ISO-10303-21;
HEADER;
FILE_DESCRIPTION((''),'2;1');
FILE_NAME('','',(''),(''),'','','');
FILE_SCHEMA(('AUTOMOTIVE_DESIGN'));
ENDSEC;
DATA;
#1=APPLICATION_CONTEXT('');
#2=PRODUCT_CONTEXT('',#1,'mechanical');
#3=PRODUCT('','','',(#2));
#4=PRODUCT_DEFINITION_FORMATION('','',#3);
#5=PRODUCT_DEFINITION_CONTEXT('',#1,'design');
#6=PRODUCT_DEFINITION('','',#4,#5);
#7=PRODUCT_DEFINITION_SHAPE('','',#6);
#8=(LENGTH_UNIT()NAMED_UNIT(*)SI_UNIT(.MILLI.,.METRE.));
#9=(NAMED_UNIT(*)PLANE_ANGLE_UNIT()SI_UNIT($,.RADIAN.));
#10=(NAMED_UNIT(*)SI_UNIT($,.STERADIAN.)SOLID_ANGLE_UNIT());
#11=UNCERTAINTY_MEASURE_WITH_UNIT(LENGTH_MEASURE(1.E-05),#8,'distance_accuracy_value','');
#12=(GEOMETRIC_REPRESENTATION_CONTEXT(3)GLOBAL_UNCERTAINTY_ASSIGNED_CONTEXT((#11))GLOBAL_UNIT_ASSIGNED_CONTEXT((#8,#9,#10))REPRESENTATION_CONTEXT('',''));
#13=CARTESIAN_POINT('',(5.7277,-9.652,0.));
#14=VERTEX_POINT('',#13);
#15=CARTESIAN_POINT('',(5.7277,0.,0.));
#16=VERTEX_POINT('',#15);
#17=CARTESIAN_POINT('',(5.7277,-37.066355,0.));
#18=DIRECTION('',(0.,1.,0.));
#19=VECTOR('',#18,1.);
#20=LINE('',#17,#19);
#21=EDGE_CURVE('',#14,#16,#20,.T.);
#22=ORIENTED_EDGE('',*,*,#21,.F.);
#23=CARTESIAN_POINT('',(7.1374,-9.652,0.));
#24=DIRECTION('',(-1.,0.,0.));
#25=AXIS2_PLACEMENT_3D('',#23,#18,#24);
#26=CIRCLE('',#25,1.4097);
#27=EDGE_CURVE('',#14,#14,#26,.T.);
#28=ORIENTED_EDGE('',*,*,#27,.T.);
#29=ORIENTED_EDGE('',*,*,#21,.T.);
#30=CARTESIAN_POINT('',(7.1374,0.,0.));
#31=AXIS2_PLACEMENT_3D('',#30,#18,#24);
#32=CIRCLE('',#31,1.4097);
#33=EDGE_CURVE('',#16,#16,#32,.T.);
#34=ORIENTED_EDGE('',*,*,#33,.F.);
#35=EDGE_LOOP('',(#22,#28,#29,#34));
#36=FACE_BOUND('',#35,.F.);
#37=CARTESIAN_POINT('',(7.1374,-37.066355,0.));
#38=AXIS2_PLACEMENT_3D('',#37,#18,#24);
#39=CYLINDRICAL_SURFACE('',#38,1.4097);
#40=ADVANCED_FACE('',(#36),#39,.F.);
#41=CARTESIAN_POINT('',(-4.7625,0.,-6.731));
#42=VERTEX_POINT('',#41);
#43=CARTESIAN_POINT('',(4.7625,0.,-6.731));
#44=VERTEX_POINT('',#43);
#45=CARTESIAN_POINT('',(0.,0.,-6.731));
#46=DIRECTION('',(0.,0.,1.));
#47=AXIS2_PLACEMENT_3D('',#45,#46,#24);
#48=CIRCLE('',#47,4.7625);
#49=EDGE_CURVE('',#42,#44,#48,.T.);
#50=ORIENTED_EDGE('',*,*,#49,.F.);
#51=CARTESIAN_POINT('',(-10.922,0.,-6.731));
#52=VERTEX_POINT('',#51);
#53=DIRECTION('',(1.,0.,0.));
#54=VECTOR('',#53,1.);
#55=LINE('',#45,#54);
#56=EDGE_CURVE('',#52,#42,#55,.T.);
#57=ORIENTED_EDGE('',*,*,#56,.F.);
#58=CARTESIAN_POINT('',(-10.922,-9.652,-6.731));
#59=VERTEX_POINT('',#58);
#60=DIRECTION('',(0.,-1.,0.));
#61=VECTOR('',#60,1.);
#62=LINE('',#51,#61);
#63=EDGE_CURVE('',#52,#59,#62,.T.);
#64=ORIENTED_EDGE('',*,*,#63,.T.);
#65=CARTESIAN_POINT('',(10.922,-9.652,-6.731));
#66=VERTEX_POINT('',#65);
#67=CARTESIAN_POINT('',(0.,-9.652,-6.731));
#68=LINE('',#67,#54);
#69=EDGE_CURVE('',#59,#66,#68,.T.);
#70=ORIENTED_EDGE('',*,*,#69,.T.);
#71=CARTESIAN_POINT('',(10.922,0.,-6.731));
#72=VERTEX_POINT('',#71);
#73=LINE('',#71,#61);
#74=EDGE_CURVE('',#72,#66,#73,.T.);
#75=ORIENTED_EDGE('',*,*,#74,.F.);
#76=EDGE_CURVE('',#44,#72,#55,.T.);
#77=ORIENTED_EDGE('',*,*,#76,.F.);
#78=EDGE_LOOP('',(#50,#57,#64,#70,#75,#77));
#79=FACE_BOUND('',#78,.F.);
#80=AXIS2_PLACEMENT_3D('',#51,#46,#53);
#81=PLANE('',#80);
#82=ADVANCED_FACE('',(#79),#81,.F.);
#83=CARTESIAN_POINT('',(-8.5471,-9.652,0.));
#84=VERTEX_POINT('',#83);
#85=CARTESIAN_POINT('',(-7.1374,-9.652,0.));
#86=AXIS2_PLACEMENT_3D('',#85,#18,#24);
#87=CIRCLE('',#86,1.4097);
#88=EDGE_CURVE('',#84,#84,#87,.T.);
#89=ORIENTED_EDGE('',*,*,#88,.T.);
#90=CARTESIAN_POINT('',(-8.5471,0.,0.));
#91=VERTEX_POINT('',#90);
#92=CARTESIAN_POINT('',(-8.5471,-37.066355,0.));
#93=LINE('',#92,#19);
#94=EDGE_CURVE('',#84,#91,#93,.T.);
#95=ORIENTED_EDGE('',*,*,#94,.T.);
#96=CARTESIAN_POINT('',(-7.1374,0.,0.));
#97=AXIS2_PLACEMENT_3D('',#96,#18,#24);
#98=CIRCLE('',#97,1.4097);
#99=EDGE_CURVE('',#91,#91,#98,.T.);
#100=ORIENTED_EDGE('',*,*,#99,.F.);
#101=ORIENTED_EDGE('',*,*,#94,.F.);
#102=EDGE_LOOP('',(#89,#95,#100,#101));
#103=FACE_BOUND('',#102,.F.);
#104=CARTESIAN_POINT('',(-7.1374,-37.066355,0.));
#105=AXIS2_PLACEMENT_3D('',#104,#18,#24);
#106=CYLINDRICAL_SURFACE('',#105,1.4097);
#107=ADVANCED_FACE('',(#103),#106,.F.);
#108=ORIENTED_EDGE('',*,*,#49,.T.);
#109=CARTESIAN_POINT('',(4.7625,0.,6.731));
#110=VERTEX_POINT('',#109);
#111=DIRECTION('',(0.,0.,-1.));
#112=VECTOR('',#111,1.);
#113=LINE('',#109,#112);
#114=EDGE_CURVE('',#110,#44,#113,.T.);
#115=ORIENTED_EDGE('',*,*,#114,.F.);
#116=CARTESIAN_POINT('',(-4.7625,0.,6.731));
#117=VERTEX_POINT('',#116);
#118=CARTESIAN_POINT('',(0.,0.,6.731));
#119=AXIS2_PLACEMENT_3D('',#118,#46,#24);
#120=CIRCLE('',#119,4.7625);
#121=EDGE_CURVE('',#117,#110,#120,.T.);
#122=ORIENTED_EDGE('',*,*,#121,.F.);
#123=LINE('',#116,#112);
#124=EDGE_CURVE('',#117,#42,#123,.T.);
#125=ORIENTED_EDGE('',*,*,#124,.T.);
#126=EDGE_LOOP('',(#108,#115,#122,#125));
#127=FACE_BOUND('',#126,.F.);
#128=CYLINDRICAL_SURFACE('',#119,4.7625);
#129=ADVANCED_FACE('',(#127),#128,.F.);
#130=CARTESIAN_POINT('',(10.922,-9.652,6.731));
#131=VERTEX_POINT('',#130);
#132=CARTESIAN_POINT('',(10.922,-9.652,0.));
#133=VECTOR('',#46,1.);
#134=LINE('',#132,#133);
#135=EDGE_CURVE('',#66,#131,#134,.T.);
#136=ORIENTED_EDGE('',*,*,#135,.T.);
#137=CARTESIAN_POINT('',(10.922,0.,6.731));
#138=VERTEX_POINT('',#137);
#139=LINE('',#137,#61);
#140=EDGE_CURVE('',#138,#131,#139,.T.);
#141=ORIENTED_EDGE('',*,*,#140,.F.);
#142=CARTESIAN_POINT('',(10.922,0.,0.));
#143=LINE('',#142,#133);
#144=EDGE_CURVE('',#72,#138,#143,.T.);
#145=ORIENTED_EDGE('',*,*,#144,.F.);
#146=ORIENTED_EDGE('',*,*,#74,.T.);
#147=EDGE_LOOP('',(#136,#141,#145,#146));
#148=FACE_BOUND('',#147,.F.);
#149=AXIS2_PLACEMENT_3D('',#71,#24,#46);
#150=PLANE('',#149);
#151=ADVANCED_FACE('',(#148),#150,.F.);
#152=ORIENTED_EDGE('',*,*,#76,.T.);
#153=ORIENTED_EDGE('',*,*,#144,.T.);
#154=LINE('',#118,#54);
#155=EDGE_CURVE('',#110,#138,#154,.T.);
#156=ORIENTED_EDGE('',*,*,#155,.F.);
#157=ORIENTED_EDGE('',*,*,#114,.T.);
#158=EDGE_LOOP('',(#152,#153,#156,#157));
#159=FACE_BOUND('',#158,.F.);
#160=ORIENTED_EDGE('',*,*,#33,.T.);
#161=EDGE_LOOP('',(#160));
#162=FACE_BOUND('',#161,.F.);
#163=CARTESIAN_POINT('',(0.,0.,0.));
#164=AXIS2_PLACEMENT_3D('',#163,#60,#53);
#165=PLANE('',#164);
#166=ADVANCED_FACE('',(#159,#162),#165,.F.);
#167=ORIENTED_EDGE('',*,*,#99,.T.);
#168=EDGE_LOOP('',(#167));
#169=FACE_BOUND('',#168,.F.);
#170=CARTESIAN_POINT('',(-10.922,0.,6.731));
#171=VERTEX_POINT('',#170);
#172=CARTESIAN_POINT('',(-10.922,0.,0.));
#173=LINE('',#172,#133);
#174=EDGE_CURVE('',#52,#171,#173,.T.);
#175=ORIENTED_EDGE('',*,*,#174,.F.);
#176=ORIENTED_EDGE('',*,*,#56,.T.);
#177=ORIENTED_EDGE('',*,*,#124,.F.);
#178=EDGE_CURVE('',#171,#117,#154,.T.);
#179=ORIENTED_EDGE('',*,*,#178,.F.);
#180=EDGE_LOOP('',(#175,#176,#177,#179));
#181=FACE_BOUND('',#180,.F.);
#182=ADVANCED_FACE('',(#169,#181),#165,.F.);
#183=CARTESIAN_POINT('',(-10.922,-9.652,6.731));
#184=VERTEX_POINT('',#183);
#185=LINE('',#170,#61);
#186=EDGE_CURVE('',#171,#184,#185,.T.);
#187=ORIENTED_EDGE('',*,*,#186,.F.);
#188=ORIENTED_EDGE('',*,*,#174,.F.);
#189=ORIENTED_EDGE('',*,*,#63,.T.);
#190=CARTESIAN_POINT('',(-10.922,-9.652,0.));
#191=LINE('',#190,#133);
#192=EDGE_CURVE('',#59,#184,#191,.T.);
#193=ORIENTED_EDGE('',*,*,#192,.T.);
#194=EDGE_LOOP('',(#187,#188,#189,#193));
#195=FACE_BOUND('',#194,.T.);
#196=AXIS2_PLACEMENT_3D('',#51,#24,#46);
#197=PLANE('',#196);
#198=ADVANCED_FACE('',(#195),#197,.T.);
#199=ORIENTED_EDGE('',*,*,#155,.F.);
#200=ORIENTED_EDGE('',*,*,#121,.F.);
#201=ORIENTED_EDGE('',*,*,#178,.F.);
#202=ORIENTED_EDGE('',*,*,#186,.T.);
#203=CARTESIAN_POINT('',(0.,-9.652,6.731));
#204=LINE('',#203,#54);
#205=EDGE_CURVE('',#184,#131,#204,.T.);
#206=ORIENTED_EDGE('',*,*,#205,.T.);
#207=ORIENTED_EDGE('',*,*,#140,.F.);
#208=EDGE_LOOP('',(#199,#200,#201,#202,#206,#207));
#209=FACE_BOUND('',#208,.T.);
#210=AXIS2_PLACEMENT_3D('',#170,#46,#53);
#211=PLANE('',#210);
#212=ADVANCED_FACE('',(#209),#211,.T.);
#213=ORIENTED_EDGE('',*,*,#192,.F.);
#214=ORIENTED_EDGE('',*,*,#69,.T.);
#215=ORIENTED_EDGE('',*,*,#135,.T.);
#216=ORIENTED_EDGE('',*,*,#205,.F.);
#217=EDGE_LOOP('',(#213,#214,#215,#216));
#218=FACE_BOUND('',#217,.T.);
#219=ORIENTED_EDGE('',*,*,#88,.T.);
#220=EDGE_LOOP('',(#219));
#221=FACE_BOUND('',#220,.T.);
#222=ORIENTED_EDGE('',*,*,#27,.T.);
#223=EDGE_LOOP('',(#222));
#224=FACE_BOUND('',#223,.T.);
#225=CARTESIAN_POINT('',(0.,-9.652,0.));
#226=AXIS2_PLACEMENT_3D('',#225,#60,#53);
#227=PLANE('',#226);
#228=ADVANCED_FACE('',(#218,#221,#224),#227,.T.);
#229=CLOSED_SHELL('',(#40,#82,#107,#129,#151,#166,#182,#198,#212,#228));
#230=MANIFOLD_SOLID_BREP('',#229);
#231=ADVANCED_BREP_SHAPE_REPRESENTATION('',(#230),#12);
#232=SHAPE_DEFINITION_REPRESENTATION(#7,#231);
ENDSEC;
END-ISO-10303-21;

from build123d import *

# Parameters (mm, degrees)
F0_W     = 21.844
F0_H     = 13.462
F1_DEPTH = 9.652
F3_D     = 2.8194
F5_DEPTH = 13.463


with BuildPart() as f1:
    # F0 (on Front) → F1 (new body)
    with BuildSketch(Plane.XZ):
        Rectangle(F0_W, F0_H)
    extrude(amount=F1_DEPTH)

    # F3 (through all)
    with Locations(Plane.XZ.offset(9.652)):
        with Locations((-7.1374, 0), (7.1374, 0)):
            Hole(F3_D / 2)

    # F4 (on face) → F5 (cut, through all)
    with BuildSketch(Plane.XY.offset(6.731)):
        with BuildLine():
            ThreePointArc((-4.7625, 0), (0, -4.7625), (4.7625, 0))
            Line((4.7625, 0), (-4.7625, 0))
        make_face()
    extrude(amount=-F5_DEPTH, mode=Mode.SUBTRACT)


solid = f1.part
